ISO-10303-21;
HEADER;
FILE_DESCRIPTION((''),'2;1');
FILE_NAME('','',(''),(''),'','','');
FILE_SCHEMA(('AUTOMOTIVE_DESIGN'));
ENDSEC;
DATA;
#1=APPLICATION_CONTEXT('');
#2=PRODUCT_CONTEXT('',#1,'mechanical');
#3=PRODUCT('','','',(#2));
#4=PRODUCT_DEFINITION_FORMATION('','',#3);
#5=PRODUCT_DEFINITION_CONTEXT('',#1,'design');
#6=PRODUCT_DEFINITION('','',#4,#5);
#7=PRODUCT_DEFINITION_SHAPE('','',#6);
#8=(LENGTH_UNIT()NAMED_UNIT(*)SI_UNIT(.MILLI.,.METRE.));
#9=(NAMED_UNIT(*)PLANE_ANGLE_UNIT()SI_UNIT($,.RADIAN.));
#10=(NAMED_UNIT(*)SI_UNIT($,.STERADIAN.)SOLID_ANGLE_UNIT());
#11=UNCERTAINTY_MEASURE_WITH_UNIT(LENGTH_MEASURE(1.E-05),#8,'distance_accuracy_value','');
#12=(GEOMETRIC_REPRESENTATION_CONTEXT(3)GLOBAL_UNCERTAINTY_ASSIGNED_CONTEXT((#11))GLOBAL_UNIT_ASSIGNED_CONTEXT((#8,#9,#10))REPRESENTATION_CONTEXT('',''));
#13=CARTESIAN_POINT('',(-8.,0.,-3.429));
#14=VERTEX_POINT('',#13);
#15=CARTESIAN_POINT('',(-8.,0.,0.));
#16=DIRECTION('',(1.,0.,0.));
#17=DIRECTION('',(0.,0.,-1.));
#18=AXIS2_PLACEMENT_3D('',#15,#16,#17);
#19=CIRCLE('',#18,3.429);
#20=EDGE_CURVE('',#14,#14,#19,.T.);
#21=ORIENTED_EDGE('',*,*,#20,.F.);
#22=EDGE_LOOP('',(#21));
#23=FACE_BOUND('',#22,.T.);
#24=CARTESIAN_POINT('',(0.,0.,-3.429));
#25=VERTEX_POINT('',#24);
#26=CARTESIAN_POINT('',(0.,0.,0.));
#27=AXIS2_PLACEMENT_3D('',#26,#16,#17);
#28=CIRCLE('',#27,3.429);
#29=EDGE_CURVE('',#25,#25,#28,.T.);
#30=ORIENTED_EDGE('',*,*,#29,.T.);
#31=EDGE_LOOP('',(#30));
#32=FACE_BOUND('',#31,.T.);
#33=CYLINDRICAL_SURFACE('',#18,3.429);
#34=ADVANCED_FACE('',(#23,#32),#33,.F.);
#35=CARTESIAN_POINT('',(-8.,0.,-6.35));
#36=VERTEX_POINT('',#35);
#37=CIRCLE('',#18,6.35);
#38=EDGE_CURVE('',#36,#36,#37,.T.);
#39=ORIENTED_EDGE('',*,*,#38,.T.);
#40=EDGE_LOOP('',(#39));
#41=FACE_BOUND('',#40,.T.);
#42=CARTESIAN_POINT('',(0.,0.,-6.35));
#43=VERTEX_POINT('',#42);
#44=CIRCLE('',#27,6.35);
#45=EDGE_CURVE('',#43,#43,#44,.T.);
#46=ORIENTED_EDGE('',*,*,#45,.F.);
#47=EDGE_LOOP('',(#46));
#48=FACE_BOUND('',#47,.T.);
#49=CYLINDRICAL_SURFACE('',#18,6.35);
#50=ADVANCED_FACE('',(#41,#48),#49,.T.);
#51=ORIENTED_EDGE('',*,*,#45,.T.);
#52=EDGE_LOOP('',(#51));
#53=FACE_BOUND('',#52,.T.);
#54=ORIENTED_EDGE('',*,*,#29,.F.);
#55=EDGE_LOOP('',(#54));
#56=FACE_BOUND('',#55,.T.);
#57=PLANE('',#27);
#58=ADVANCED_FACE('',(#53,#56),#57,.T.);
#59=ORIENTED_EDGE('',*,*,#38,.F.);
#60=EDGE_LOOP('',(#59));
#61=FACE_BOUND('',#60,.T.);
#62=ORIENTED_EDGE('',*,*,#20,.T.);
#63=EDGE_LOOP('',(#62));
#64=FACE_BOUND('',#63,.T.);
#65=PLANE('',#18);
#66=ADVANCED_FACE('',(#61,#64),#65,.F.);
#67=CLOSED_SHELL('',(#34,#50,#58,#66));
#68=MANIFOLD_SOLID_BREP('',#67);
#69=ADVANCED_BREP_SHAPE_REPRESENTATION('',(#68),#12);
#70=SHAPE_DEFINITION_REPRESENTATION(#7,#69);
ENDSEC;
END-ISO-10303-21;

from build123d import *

# Parameters (mm, degrees)
ESQUISSE1_R        = 6.35
ESQUISSE1_R_2      = 3.429
BOSS_EXTRU_1_DEPTH = 8


with BuildPart() as part:
    # Esquisse1 → Boss.-Extru.1 (new body)
    with BuildSketch(Plane(origin=(0, 0, 0), x_dir=(0, 0, -1), z_dir=(1, 0, 0))):
        Circle(ESQUISSE1_R)
        Circle(ESQUISSE1_R_2, mode=Mode.SUBTRACT)
    extrude(amount=-BOSS_EXTRU_1_DEPTH)


solid = part.part
